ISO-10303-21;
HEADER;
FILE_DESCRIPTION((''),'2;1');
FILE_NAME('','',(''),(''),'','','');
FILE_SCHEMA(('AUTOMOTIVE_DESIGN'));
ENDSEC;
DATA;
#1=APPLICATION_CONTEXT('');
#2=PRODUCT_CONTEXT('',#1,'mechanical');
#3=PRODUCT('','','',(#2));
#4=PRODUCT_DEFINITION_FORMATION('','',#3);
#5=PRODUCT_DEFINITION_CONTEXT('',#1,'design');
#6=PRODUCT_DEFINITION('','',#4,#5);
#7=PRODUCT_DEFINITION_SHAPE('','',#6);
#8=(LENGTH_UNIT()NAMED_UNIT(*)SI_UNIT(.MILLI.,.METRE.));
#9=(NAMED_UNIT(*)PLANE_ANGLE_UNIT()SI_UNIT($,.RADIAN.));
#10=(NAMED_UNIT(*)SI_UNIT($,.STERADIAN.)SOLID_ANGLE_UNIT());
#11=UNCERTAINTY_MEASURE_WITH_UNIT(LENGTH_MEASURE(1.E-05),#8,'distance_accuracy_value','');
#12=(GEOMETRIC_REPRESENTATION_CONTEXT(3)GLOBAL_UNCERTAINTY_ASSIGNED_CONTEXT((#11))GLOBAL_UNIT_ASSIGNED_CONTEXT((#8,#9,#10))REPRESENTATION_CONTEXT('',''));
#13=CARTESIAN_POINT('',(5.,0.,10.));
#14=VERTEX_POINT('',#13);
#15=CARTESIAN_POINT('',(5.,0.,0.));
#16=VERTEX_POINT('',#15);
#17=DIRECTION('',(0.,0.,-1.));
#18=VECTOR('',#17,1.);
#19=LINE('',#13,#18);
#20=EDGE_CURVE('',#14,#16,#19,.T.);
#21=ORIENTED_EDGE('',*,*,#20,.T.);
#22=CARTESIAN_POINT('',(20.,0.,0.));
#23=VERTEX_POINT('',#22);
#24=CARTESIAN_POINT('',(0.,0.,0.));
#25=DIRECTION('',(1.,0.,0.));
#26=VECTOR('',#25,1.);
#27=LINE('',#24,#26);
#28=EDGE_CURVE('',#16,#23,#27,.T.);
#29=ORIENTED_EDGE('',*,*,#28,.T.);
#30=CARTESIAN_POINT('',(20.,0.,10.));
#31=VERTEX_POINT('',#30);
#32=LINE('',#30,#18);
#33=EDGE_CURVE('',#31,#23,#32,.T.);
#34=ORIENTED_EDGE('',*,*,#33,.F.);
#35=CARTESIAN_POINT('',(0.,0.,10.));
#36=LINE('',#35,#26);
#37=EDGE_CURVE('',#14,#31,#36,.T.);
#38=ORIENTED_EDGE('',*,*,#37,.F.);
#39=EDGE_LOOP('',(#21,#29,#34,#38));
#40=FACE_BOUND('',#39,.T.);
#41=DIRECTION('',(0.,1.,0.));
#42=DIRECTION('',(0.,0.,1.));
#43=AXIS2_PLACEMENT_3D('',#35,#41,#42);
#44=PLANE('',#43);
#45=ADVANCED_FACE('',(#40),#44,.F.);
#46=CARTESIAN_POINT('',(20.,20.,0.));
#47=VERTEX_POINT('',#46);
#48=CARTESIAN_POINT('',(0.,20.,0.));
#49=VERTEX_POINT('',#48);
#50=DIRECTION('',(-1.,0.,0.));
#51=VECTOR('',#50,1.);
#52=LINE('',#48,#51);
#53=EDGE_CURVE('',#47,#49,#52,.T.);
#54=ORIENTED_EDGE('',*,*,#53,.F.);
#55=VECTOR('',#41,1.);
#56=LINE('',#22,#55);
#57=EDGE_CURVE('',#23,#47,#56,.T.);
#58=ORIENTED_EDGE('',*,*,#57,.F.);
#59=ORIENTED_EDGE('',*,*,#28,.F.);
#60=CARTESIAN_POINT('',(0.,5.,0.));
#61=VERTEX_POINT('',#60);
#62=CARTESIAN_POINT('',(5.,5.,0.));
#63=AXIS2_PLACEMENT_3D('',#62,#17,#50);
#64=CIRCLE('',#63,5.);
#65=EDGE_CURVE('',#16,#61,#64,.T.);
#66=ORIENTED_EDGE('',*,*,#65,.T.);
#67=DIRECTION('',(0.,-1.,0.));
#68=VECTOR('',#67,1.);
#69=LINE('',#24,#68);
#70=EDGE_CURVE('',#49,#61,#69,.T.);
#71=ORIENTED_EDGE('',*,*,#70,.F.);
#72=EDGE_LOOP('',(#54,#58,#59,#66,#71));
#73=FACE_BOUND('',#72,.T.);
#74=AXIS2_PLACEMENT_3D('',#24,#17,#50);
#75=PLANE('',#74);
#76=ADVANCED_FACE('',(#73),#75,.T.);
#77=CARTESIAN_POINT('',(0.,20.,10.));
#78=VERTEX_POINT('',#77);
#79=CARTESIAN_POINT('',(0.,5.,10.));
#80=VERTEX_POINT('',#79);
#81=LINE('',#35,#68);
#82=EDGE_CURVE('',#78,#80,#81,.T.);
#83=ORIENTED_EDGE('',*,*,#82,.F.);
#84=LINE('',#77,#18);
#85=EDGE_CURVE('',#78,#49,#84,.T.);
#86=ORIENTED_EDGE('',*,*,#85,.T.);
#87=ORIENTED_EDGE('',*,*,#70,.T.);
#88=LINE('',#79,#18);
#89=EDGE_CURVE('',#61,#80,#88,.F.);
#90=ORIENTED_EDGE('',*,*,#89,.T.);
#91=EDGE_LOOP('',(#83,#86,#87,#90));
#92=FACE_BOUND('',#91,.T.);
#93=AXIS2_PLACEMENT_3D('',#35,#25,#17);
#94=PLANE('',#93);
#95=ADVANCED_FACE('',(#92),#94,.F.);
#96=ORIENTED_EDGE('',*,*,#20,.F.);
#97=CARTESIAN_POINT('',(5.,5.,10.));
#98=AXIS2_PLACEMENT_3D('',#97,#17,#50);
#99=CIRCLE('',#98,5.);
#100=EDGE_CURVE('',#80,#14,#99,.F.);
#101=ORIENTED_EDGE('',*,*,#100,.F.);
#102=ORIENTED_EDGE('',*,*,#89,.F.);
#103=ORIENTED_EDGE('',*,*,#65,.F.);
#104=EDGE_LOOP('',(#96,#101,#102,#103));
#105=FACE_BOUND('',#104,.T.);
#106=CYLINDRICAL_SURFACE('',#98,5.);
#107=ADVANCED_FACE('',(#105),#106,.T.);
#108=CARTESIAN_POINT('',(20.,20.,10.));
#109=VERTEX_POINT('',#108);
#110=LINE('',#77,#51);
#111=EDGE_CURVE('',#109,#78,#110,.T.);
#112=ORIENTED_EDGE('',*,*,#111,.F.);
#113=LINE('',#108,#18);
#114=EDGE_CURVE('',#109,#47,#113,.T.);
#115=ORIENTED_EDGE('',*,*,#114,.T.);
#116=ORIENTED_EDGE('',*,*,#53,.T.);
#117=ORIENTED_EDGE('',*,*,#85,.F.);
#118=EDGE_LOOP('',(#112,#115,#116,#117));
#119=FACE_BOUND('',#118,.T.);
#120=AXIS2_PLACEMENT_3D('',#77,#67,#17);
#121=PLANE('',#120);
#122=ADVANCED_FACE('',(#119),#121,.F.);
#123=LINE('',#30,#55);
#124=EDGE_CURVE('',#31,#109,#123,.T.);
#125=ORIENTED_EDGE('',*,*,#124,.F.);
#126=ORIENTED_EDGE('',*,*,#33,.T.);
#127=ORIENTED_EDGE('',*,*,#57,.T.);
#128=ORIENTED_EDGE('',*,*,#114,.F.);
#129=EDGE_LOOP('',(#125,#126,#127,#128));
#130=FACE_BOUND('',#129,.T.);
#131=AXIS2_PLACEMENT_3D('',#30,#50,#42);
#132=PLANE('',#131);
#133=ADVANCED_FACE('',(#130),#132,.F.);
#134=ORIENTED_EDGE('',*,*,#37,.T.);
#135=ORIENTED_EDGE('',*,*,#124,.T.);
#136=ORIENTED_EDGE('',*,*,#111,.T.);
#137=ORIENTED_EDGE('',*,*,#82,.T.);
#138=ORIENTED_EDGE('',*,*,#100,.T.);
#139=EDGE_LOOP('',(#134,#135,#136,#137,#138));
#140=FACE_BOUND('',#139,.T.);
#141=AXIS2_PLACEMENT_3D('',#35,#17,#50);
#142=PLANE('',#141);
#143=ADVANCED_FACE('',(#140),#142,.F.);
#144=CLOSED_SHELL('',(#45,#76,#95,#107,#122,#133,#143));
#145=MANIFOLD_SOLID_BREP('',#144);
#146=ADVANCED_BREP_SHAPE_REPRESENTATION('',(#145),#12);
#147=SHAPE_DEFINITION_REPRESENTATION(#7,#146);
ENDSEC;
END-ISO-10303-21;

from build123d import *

# Parameters (mm, degrees)
SKETCH_1_W    = 20
SKETCH_1_H    = 20
BASEBOX_DEPTH = 10
FILLET_2_R    = 5


with BuildPart() as part:
    # 草图1 → BaseBox (new body)
    with BuildSketch(Plane.XY):
        with Locations((10, 10)):
            Rectangle(SKETCH_1_W, SKETCH_1_H)
    extrude(amount=BASEBOX_DEPTH)

    # Fillet 2
    fillet_2_edges = [part.edges().sort_by_distance(p)[0] for p in [
        (0, 0, 5),
    ]]
    fillet(fillet_2_edges, radius=FILLET_2_R)


solid = part.part
